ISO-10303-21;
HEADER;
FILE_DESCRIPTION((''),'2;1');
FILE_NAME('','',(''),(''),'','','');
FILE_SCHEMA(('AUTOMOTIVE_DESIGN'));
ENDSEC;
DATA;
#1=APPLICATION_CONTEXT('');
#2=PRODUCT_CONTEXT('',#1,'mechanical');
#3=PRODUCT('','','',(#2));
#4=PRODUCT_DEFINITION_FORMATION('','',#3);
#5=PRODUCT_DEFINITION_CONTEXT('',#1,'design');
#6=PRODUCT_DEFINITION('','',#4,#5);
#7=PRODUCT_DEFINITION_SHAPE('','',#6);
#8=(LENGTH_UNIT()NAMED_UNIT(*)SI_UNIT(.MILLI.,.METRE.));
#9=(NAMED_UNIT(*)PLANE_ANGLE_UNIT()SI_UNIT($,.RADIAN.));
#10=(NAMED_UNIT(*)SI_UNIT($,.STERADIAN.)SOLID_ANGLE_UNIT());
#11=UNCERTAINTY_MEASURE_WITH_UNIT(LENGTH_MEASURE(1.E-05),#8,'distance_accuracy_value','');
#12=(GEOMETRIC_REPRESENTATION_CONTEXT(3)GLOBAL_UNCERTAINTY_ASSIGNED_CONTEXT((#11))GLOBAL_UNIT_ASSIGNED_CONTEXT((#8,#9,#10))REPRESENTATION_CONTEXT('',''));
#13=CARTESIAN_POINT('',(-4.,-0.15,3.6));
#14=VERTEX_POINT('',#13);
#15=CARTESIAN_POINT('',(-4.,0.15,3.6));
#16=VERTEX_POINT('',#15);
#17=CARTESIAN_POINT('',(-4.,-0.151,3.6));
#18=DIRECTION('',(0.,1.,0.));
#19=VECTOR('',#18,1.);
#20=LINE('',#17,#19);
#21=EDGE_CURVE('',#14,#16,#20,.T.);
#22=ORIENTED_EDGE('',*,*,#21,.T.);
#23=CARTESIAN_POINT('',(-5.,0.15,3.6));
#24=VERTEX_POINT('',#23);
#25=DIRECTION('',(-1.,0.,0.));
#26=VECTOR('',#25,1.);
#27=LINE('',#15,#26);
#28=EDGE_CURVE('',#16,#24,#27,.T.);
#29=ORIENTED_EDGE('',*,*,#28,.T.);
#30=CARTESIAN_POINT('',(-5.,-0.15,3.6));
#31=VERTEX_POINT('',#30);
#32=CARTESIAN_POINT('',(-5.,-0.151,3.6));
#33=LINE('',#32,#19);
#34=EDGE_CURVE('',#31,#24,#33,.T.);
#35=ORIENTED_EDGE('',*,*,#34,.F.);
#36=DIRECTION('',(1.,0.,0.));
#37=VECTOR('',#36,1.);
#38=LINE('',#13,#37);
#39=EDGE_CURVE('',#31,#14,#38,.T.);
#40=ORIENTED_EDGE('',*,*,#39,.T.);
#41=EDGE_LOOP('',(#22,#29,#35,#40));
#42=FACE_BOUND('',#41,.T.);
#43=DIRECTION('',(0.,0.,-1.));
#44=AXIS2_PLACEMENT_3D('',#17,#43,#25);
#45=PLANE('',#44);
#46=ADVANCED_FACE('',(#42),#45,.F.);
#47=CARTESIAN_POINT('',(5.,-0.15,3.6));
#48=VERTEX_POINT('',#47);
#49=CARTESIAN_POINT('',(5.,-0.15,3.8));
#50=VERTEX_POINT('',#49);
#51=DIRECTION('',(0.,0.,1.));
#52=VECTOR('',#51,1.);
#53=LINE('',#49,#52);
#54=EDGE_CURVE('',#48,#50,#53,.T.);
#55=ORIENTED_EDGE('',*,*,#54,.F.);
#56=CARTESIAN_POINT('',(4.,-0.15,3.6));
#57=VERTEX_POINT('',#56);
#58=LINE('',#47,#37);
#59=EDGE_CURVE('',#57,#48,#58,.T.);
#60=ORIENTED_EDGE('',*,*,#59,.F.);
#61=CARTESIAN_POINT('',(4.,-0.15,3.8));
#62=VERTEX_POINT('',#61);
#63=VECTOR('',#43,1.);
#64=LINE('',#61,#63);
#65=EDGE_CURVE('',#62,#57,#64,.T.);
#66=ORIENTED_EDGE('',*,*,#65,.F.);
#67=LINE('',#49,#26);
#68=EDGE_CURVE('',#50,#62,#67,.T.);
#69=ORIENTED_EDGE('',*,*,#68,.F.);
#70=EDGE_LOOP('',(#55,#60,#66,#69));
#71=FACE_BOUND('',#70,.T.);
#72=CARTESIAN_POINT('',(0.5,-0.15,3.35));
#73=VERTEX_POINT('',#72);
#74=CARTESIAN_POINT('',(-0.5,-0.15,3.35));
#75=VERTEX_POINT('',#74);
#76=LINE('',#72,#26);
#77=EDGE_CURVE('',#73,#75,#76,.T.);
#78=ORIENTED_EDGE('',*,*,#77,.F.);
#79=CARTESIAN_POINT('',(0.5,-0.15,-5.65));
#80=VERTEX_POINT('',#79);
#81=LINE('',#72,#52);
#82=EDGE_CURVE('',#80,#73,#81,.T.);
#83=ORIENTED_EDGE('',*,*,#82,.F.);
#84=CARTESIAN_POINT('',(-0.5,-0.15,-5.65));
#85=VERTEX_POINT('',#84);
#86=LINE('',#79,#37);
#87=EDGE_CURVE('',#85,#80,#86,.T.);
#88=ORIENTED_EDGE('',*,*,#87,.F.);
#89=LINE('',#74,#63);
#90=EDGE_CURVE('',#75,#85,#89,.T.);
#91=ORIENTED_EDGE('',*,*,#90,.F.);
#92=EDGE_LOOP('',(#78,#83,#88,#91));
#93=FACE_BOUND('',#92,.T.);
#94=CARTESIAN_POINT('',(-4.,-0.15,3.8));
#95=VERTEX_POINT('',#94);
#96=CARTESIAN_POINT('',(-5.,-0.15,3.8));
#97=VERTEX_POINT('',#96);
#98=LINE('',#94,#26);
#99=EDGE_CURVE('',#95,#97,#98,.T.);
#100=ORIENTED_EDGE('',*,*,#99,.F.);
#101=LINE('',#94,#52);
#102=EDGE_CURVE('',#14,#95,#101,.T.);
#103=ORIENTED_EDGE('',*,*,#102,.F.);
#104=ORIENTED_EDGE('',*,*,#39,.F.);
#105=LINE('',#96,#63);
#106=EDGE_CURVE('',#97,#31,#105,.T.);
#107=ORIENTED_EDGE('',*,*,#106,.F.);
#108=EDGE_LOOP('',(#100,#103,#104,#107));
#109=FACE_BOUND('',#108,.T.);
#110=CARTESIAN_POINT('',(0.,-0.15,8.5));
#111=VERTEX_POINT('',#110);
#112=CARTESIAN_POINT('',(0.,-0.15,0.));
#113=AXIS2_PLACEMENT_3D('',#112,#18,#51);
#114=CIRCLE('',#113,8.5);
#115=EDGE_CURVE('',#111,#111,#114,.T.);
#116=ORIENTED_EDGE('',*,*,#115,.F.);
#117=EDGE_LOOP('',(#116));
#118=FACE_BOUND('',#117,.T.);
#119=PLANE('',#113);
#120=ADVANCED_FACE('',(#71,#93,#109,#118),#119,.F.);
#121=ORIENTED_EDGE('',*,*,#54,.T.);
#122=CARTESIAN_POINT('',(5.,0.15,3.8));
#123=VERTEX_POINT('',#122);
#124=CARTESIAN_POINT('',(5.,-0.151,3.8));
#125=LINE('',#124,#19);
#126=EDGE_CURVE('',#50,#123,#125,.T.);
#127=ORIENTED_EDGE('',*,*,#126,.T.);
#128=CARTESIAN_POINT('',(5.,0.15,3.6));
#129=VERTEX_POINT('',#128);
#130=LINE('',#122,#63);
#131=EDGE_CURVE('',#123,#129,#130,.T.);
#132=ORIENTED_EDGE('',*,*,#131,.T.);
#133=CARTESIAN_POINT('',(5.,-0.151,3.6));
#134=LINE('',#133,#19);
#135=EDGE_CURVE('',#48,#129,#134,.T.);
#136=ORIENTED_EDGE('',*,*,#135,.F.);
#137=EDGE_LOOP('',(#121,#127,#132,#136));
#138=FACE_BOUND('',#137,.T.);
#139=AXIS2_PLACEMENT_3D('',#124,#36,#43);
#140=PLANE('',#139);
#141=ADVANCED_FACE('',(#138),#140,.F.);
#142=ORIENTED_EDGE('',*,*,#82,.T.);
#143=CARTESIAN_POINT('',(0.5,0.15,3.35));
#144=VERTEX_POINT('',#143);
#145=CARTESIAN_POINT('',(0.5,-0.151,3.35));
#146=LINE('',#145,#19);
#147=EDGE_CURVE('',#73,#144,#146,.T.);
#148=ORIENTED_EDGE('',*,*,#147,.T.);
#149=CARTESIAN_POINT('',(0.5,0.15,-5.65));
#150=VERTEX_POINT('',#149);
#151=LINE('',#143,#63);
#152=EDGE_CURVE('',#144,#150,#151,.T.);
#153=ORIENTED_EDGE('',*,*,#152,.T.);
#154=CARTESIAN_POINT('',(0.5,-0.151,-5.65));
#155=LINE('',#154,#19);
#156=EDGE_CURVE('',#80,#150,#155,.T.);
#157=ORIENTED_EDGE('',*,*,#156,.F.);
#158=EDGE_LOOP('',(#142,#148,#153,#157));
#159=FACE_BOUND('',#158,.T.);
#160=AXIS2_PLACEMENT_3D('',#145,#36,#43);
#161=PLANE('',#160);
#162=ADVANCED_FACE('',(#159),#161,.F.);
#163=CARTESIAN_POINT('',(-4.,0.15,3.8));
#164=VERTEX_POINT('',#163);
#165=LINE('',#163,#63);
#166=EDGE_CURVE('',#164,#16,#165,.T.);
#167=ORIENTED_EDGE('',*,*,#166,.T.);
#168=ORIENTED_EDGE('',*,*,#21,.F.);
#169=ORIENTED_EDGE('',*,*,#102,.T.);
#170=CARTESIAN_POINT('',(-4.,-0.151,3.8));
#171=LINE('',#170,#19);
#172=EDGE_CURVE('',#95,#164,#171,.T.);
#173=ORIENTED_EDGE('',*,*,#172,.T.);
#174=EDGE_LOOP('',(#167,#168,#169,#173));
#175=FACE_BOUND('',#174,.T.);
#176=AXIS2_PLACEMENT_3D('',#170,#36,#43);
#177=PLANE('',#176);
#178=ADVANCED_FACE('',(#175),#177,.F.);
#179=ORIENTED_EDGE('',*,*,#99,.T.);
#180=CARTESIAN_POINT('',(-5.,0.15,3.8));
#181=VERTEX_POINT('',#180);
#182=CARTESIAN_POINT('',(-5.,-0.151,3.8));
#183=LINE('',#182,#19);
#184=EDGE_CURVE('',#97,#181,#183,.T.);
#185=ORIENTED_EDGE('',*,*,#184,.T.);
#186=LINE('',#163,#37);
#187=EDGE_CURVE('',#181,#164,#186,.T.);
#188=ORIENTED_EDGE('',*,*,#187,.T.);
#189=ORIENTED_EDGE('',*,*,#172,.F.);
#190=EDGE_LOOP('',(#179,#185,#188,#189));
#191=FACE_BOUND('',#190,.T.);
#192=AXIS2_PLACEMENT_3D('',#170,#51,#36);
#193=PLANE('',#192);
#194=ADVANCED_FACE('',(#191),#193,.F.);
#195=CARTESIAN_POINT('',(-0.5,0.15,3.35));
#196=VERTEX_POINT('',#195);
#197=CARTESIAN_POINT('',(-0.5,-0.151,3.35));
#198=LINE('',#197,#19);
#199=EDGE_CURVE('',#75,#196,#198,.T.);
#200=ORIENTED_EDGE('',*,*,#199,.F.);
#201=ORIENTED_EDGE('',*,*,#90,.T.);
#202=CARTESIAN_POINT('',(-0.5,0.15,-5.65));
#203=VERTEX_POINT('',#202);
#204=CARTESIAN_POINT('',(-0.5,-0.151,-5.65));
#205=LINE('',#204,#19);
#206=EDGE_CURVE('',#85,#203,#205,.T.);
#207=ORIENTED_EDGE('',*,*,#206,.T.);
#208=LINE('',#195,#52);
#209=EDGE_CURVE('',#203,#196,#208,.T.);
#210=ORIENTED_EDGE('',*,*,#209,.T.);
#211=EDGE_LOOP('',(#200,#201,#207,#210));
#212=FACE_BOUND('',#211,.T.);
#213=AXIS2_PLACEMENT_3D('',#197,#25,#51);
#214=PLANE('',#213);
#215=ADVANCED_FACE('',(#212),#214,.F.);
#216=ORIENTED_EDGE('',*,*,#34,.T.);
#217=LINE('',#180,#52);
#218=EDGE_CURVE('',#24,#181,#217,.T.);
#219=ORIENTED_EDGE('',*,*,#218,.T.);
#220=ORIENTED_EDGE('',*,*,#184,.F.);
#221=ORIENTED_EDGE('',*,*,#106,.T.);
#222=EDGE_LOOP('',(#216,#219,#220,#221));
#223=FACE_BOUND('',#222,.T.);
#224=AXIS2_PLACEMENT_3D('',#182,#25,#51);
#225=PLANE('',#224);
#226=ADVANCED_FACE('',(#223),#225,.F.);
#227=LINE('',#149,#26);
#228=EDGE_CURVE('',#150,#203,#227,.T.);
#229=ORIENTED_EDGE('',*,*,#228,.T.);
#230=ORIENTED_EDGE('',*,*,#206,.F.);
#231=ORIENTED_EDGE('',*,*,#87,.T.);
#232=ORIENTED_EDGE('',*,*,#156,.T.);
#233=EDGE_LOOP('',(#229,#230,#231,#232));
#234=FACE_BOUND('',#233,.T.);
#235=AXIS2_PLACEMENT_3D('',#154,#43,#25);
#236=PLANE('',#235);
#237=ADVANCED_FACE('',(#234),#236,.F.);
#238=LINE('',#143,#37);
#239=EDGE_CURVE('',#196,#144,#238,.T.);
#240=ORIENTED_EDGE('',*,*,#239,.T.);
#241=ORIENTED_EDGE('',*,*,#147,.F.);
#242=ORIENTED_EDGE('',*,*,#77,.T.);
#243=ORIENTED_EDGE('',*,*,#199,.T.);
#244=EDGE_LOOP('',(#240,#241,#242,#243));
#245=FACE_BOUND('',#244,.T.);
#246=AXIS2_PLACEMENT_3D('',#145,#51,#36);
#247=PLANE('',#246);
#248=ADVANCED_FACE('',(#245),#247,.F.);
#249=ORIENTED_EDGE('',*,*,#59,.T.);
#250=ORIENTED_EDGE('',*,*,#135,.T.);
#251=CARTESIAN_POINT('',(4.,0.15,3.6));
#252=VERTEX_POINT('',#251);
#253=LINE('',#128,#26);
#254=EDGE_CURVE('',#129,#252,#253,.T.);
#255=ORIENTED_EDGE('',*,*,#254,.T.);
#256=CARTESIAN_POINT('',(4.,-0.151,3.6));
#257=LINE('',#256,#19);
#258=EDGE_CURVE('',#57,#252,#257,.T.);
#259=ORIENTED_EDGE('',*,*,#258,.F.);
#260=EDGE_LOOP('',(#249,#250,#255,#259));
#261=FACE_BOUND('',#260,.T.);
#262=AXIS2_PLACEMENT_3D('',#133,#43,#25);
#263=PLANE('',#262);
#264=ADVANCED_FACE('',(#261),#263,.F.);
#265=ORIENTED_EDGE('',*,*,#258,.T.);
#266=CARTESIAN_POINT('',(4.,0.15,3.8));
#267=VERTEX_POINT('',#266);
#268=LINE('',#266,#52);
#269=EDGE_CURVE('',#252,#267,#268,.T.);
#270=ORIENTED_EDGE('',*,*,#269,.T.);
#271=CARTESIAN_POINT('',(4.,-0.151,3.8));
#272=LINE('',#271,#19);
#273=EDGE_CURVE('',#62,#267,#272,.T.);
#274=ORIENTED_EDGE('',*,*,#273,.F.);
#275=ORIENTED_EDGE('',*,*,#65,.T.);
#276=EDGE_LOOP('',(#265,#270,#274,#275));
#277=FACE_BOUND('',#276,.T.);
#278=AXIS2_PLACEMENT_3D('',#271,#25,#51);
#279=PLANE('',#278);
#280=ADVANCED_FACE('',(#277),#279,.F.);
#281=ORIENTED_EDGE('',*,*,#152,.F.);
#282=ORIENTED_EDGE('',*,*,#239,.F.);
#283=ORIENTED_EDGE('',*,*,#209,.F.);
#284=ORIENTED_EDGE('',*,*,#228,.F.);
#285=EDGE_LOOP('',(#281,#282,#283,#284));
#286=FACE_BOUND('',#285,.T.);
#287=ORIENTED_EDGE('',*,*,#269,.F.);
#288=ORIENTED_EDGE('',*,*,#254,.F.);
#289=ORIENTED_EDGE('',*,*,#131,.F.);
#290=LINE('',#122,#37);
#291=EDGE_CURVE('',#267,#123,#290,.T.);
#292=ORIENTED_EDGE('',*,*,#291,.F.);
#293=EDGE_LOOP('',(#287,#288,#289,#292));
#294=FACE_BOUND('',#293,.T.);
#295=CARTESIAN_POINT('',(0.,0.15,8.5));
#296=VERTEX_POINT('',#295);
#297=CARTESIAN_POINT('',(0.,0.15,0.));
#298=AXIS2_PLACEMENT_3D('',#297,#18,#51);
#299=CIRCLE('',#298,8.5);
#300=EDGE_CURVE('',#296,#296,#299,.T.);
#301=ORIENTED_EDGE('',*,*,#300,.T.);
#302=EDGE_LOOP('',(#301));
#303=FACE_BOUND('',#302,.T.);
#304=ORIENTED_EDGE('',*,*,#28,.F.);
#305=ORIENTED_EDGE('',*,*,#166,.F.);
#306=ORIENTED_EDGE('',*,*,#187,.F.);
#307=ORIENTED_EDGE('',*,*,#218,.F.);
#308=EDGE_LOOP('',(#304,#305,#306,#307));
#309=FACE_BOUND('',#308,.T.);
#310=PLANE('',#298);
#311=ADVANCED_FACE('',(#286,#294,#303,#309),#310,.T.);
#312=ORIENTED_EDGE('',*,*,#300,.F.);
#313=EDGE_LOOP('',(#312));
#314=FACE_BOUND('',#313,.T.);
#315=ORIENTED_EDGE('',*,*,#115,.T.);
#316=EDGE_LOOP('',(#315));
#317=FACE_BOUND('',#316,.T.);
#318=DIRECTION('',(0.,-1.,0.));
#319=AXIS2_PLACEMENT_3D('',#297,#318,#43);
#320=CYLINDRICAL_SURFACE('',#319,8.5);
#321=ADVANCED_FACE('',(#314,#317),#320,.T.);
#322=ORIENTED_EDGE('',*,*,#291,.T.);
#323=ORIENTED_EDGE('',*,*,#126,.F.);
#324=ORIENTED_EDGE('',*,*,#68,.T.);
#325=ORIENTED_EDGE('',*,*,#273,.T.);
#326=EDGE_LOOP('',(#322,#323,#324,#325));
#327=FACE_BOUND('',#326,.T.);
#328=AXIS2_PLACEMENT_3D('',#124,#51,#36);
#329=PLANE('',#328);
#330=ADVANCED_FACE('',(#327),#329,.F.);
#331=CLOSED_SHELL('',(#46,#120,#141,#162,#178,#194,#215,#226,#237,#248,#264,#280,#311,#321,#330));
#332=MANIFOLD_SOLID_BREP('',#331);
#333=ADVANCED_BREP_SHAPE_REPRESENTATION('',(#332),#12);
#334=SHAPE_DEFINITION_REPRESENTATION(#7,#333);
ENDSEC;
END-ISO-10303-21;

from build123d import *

# Parameters (mm, degrees)
SKETCH1_R           = 8.5
BOSS_EXTRUDE1_DEPTH = 0.15
CUT_EXTRUDE1_REACH  = 2.3
SKETCH2_W           = 1
SKETCH2_H           = 9
SKETCH2_H_2         = 0.2


with BuildPart() as part:
    # Sketch1 → Boss-Extrude1 (new body, symmetric)
    with BuildSketch(Plane(origin=(0, 0, 0), x_dir=(1, 0, 0), z_dir=(0, 1, 0))):
        Circle(SKETCH1_R)
    extrude(amount=BOSS_EXTRUDE1_DEPTH, both=True)

    # Sketch2 → Cut-Extrude1 (cut, up to next)
    with BuildSketch(Plane(origin=(0, 0.15, 0), x_dir=(1, 0, 0), z_dir=(0, 1, 0)), mode=Mode.PRIVATE) as cut_extrude1_sk1:
        with Locations((0, 1.15)):
            Rectangle(SKETCH2_W, SKETCH2_H)
    cut_extrude1_tool1 = extrude(cut_extrude1_sk1.sketch, amount=-CUT_EXTRUDE1_REACH, mode=Mode.PRIVATE) & part.part
    add(cut_extrude1_tool1.solids().sort_by_distance((0, 0.15, -1.15))[0], mode=Mode.SUBTRACT)
    # Sketch2 → Cut-Extrude1 (cut, up to next)
    with BuildSketch(Plane(origin=(0, 0.15, 0), x_dir=(1, 0, 0), z_dir=(0, 1, 0)), mode=Mode.PRIVATE) as cut_extrude1_sk2:
        with Locations((4.5, -3.7)):
            Rectangle(SKETCH2_W, SKETCH2_H_2)
    cut_extrude1_tool2 = extrude(cut_extrude1_sk2.sketch, amount=-CUT_EXTRUDE1_REACH, mode=Mode.PRIVATE) & part.part
    add(cut_extrude1_tool2.solids().sort_by_distance((4.5, 0.15, 3.7))[0], mode=Mode.SUBTRACT)
    # Sketch2 → Cut-Extrude1 (cut, up to next)
    with BuildSketch(Plane(origin=(0, 0.15, 0), x_dir=(1, 0, 0), z_dir=(0, 1, 0)), mode=Mode.PRIVATE) as cut_extrude1_sk3:
        with Locations((-4.5, -3.7)):
            Rectangle(SKETCH2_W, SKETCH2_H_2)
    cut_extrude1_tool3 = extrude(cut_extrude1_sk3.sketch, amount=-CUT_EXTRUDE1_REACH, mode=Mode.PRIVATE) & part.part
    add(cut_extrude1_tool3.solids().sort_by_distance((-4.5, 0.15, 3.7))[0], mode=Mode.SUBTRACT)


solid = part.part
